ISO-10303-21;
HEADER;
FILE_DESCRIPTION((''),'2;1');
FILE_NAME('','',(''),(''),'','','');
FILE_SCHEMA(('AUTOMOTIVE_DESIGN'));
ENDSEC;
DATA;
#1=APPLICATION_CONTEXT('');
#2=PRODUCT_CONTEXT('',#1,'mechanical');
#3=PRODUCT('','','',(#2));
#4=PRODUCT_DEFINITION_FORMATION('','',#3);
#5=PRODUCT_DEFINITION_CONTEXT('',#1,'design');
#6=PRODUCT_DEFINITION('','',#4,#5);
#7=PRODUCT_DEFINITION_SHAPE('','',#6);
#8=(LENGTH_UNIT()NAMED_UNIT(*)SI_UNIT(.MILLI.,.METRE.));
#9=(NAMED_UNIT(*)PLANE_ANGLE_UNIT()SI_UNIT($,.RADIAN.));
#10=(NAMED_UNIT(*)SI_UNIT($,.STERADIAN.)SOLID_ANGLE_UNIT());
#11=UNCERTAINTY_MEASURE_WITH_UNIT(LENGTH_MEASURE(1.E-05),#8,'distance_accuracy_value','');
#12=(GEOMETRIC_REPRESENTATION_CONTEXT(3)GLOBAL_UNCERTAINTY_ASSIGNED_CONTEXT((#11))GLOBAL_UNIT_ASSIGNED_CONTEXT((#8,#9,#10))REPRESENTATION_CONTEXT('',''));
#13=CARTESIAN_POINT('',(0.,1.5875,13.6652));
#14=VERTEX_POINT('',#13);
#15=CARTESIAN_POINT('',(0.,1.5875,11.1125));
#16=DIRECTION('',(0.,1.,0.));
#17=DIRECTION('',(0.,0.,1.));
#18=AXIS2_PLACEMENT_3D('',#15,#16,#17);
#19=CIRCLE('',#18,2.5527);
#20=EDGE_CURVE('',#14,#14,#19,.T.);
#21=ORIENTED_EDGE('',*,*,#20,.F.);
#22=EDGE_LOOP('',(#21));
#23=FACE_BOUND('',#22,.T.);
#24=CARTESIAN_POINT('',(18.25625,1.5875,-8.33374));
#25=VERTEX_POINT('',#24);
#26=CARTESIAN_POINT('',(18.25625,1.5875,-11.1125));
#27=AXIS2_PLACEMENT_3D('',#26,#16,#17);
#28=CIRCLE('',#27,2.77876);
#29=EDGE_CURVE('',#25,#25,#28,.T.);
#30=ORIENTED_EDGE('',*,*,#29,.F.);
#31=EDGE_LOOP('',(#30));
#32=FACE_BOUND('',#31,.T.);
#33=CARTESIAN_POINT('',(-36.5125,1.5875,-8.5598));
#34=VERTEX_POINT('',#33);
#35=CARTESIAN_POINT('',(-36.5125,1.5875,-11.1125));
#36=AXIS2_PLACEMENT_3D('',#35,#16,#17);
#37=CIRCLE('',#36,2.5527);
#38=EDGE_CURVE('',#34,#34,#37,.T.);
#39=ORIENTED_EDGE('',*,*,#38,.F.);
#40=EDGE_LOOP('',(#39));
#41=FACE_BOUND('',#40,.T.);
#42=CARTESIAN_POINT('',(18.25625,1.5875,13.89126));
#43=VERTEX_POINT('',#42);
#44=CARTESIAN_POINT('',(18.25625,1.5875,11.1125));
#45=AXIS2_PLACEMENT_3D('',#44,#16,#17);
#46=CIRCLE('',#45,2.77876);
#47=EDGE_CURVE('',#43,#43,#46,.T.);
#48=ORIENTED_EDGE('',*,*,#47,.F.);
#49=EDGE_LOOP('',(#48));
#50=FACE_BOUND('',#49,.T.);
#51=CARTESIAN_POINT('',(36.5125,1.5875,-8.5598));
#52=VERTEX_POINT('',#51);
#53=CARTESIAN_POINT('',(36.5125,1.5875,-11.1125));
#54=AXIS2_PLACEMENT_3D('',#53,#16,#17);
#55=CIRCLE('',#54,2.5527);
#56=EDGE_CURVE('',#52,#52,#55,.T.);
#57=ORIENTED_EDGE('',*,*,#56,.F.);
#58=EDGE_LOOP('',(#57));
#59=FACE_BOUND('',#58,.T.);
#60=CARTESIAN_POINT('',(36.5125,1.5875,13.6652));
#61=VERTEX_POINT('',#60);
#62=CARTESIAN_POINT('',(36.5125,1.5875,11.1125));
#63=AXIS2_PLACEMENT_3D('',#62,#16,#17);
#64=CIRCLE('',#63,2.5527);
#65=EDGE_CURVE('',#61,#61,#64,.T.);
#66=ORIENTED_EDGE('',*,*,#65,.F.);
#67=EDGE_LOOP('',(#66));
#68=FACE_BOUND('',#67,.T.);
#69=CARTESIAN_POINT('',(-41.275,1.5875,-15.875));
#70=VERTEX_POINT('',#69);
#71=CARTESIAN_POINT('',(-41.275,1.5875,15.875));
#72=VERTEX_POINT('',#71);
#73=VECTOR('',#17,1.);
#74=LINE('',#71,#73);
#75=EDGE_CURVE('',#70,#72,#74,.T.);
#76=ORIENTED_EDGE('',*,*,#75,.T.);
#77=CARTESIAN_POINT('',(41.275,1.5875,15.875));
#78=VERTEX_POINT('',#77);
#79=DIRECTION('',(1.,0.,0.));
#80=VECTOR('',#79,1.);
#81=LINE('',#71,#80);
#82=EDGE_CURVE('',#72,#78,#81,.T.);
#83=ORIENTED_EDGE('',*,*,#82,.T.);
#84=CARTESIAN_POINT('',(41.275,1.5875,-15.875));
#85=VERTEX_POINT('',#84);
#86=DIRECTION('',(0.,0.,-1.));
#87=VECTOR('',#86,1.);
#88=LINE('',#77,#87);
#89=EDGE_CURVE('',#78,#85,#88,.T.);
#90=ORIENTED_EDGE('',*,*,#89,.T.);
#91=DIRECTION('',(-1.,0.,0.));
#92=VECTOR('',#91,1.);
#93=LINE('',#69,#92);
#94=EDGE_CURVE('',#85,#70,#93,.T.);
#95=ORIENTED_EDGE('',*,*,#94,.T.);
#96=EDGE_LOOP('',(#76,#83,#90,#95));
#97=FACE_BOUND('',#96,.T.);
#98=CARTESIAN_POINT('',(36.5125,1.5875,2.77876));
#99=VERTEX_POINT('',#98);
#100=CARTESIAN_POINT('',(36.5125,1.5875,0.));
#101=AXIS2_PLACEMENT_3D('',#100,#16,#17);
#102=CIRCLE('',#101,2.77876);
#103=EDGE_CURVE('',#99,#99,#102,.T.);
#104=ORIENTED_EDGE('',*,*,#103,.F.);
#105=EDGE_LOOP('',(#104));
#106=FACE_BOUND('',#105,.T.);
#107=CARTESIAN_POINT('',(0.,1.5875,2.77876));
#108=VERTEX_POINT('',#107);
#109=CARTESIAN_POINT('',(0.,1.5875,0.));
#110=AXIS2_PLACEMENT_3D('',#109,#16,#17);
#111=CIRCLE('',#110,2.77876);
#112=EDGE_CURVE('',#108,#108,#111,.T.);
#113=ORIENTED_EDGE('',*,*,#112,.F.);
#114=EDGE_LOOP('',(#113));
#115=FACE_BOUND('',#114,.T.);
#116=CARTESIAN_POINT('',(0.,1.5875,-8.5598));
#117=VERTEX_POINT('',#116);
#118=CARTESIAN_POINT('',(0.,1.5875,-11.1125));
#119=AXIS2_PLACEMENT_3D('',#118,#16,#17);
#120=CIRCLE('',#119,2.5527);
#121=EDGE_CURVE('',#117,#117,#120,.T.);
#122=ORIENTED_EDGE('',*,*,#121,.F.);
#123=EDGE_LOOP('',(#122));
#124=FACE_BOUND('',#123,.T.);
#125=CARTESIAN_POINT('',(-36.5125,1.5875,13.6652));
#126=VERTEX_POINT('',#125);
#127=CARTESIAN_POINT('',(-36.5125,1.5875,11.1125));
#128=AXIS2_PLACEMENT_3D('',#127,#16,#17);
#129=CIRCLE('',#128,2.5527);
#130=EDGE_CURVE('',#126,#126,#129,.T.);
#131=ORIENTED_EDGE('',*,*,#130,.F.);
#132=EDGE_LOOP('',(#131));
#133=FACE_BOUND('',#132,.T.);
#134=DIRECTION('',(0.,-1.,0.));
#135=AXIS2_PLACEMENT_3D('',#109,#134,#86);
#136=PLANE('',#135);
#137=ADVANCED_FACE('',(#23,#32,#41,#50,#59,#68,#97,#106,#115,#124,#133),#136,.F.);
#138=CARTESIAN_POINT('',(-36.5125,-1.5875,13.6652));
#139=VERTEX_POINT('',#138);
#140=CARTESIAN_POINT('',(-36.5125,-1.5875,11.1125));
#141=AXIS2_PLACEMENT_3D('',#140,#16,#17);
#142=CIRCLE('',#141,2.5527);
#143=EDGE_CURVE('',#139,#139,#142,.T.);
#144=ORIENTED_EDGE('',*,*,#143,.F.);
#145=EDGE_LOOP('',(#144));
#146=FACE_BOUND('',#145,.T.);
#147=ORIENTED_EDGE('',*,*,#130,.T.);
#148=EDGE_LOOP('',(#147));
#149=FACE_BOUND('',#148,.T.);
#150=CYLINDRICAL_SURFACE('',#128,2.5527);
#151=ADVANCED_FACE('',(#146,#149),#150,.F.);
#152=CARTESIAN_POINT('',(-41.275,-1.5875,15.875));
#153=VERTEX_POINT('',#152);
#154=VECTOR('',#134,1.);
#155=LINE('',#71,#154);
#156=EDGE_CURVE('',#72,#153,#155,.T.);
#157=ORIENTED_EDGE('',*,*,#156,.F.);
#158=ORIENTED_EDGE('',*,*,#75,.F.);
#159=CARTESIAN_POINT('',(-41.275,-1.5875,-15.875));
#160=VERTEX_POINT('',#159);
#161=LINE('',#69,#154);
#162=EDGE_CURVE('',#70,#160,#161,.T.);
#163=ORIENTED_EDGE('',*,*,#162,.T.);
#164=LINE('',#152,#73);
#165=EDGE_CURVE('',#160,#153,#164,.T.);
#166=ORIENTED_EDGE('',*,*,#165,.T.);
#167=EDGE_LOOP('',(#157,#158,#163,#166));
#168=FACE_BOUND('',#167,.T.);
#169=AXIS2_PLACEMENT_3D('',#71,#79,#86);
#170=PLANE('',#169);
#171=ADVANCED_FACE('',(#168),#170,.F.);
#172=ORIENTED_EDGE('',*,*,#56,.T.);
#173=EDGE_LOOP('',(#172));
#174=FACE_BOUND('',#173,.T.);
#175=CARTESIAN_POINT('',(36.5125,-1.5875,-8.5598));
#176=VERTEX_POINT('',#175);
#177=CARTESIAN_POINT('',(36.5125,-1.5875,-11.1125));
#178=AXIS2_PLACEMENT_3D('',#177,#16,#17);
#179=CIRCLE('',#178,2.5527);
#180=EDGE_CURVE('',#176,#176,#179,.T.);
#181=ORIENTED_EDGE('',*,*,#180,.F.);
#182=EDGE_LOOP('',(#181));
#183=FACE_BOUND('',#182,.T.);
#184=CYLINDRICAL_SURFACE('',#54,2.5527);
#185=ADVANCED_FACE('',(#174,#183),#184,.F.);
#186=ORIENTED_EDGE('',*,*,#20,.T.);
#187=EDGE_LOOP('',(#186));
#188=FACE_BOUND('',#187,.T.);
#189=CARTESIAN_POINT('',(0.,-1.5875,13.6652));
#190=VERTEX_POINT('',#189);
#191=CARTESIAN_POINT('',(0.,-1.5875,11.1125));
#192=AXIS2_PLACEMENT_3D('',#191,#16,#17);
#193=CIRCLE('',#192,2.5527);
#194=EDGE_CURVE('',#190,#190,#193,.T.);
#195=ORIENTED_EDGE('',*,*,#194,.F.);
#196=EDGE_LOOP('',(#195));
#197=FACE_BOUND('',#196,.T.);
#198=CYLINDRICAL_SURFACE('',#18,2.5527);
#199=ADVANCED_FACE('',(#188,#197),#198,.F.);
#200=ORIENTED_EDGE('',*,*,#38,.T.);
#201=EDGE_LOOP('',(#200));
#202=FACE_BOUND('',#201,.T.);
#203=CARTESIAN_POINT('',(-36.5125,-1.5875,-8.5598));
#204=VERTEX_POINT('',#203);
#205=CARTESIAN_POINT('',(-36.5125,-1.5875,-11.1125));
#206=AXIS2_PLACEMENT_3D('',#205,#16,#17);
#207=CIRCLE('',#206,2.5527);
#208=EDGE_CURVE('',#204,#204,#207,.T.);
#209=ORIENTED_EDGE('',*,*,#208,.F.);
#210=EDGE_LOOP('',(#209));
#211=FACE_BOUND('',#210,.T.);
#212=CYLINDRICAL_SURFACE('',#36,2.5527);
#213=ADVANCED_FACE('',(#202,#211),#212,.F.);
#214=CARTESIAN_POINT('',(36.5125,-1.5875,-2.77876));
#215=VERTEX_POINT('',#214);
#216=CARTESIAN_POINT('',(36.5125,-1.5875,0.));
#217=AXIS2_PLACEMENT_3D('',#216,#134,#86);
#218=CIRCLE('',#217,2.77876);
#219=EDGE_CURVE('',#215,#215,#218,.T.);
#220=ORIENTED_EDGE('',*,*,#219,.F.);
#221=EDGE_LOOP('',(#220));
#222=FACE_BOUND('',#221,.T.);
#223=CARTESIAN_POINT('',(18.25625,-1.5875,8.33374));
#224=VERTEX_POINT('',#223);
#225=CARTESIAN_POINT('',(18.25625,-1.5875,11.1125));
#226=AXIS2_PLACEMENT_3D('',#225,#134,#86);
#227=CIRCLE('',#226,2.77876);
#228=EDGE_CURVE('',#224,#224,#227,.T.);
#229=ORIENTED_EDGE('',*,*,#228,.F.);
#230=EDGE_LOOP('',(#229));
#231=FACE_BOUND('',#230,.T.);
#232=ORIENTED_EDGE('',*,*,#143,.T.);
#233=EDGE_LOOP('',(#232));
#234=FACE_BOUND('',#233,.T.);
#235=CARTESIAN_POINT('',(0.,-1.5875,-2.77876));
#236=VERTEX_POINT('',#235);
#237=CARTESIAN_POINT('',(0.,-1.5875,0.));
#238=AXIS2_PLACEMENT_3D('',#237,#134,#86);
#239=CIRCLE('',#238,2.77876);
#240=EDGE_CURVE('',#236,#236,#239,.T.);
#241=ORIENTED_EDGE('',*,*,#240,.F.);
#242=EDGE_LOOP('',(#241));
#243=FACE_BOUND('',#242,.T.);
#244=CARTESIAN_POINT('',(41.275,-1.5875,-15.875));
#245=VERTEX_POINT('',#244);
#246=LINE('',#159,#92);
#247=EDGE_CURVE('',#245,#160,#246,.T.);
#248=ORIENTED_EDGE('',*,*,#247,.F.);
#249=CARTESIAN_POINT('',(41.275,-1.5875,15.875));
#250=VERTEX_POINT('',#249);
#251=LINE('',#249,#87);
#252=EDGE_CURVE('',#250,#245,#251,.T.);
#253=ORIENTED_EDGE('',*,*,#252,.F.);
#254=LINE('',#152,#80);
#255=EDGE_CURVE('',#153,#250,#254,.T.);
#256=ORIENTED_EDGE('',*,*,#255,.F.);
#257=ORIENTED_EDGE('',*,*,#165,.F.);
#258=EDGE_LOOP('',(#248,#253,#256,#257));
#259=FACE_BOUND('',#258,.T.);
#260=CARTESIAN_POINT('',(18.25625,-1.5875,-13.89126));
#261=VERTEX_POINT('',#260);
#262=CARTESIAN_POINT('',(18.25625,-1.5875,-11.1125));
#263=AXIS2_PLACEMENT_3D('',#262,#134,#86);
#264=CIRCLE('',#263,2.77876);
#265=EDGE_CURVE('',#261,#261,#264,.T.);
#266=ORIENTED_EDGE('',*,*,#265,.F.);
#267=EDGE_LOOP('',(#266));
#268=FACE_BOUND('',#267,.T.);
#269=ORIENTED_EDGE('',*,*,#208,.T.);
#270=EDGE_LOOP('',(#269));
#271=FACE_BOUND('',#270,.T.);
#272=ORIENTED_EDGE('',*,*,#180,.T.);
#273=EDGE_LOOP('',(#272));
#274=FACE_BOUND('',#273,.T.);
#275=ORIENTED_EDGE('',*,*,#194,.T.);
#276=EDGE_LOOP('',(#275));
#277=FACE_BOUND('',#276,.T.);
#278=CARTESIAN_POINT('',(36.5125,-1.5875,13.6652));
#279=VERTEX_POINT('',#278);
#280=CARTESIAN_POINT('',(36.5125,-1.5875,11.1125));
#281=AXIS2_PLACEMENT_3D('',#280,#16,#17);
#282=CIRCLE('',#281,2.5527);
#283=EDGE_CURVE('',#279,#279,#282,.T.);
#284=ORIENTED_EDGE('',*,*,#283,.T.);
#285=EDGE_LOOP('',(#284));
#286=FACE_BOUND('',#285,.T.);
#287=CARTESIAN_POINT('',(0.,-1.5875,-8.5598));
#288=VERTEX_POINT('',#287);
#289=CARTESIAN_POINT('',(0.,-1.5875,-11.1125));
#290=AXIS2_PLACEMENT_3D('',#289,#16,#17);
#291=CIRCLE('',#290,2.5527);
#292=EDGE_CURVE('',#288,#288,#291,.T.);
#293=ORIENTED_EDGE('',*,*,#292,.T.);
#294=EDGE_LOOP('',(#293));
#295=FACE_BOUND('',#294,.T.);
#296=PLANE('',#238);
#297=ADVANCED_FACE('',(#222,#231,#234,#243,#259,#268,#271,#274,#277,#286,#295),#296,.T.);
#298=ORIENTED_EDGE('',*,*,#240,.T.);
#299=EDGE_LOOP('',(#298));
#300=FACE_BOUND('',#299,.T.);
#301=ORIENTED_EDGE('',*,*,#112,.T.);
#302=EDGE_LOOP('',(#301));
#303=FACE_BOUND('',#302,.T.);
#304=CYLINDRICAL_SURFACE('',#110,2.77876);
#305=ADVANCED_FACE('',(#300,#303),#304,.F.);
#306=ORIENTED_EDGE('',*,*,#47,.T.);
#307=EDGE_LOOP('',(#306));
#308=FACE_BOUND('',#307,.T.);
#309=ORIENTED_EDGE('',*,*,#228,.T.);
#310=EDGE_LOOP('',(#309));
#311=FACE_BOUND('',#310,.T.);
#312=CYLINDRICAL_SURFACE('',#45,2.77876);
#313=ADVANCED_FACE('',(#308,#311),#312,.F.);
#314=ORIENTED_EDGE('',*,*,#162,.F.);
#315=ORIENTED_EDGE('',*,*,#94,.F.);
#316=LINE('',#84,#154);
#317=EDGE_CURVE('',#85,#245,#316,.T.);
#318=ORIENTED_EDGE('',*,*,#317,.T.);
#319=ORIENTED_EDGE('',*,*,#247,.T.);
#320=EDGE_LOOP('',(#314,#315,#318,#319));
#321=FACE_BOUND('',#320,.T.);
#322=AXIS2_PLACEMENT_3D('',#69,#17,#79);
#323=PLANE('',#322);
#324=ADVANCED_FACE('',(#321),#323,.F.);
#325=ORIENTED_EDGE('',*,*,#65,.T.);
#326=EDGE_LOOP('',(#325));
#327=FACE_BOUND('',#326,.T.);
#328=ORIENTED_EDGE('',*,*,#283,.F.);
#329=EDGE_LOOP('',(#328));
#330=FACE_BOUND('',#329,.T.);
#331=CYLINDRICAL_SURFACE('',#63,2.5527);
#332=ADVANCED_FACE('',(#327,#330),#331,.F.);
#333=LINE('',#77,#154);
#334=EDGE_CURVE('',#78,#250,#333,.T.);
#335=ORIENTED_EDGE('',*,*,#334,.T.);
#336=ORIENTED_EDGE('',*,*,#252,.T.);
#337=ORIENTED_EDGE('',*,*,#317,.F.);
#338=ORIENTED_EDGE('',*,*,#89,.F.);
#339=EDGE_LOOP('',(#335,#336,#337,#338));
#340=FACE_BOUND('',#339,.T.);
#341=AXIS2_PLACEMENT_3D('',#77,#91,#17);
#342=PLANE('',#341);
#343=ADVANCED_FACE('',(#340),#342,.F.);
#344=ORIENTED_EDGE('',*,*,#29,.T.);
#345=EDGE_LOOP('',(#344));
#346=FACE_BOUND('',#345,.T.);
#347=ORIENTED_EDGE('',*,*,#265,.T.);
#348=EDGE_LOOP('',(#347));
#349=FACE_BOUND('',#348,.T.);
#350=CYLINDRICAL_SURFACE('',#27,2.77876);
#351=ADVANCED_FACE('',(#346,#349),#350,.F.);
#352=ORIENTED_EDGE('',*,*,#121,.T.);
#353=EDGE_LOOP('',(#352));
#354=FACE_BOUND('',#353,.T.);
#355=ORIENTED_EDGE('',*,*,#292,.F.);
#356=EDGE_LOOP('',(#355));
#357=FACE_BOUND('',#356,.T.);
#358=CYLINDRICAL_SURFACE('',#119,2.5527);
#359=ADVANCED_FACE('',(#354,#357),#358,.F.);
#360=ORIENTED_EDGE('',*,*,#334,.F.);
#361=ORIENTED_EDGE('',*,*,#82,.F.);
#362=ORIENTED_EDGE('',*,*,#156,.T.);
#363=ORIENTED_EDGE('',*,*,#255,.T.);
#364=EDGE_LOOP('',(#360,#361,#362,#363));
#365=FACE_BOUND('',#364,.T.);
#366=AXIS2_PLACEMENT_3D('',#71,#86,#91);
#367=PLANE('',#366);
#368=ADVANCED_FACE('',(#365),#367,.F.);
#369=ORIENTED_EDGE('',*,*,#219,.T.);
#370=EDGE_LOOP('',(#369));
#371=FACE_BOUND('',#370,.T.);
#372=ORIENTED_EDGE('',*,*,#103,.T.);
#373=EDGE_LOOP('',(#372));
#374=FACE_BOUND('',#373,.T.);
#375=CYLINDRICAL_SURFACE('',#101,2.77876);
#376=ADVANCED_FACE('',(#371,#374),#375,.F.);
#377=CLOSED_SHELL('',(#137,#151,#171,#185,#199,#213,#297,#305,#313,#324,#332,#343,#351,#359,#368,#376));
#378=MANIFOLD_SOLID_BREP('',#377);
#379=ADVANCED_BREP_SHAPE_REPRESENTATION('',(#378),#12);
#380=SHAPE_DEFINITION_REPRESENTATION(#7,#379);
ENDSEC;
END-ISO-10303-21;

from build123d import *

# Parameters (mm, degrees)
SKETCH1_W                                      = 82.55
SKETCH1_H                                      = 31.75
PLATE_DEPTH                                    = 1.5875
F_10_CLEARANCE_HOLE1_D                         = 5.1054
CBORE_FOR_4_SOCKET_HEAD_CAP_SCREW1_D           = 3.2639
CBORE_FOR_4_SOCKET_HEAD_CAP_SCREW1_CBORE_D     = 5.55752
CBORE_FOR_4_SOCKET_HEAD_CAP_SCREW1_CBORE_DEPTH = 9.1948


with BuildPart() as part:
    # Sketch1 → Plate (new, symmetric)
    with BuildSketch(Plane(origin=(0, 0, 0), x_dir=(1, 0, 0), z_dir=(0, 1, 0))):
        Rectangle(SKETCH1_W, SKETCH1_H)
    extrude(amount=PLATE_DEPTH, both=True)

    # #10 Clearance Hole1 (through all)
    with Locations(Plane(origin=(0, 1.5875, 0), x_dir=(1, 0, 0), z_dir=(0, 1, 0))):
        with Locations((-36.5125, 11.1125), (36.5125, 11.1125), (36.5125, -11.1125), (-36.5125, -11.1125), (0, -11.1125), (0, 11.1125)):
            Hole(F_10_CLEARANCE_HOLE1_D / 2)

    # CBORE for #4 Socket Head Cap Screw1 (through all)
    with Locations(Plane(origin=(0, 1.5875, 0), x_dir=(1, 0, 0), z_dir=(0, 1, 0))):
        with Locations((0, 0), (36.5125, 0), (18.25625, 11.1125), (18.25625, -11.1125)):
            CounterBoreHole(CBORE_FOR_4_SOCKET_HEAD_CAP_SCREW1_D / 2, CBORE_FOR_4_SOCKET_HEAD_CAP_SCREW1_CBORE_D / 2, CBORE_FOR_4_SOCKET_HEAD_CAP_SCREW1_CBORE_DEPTH)


solid = part.part
